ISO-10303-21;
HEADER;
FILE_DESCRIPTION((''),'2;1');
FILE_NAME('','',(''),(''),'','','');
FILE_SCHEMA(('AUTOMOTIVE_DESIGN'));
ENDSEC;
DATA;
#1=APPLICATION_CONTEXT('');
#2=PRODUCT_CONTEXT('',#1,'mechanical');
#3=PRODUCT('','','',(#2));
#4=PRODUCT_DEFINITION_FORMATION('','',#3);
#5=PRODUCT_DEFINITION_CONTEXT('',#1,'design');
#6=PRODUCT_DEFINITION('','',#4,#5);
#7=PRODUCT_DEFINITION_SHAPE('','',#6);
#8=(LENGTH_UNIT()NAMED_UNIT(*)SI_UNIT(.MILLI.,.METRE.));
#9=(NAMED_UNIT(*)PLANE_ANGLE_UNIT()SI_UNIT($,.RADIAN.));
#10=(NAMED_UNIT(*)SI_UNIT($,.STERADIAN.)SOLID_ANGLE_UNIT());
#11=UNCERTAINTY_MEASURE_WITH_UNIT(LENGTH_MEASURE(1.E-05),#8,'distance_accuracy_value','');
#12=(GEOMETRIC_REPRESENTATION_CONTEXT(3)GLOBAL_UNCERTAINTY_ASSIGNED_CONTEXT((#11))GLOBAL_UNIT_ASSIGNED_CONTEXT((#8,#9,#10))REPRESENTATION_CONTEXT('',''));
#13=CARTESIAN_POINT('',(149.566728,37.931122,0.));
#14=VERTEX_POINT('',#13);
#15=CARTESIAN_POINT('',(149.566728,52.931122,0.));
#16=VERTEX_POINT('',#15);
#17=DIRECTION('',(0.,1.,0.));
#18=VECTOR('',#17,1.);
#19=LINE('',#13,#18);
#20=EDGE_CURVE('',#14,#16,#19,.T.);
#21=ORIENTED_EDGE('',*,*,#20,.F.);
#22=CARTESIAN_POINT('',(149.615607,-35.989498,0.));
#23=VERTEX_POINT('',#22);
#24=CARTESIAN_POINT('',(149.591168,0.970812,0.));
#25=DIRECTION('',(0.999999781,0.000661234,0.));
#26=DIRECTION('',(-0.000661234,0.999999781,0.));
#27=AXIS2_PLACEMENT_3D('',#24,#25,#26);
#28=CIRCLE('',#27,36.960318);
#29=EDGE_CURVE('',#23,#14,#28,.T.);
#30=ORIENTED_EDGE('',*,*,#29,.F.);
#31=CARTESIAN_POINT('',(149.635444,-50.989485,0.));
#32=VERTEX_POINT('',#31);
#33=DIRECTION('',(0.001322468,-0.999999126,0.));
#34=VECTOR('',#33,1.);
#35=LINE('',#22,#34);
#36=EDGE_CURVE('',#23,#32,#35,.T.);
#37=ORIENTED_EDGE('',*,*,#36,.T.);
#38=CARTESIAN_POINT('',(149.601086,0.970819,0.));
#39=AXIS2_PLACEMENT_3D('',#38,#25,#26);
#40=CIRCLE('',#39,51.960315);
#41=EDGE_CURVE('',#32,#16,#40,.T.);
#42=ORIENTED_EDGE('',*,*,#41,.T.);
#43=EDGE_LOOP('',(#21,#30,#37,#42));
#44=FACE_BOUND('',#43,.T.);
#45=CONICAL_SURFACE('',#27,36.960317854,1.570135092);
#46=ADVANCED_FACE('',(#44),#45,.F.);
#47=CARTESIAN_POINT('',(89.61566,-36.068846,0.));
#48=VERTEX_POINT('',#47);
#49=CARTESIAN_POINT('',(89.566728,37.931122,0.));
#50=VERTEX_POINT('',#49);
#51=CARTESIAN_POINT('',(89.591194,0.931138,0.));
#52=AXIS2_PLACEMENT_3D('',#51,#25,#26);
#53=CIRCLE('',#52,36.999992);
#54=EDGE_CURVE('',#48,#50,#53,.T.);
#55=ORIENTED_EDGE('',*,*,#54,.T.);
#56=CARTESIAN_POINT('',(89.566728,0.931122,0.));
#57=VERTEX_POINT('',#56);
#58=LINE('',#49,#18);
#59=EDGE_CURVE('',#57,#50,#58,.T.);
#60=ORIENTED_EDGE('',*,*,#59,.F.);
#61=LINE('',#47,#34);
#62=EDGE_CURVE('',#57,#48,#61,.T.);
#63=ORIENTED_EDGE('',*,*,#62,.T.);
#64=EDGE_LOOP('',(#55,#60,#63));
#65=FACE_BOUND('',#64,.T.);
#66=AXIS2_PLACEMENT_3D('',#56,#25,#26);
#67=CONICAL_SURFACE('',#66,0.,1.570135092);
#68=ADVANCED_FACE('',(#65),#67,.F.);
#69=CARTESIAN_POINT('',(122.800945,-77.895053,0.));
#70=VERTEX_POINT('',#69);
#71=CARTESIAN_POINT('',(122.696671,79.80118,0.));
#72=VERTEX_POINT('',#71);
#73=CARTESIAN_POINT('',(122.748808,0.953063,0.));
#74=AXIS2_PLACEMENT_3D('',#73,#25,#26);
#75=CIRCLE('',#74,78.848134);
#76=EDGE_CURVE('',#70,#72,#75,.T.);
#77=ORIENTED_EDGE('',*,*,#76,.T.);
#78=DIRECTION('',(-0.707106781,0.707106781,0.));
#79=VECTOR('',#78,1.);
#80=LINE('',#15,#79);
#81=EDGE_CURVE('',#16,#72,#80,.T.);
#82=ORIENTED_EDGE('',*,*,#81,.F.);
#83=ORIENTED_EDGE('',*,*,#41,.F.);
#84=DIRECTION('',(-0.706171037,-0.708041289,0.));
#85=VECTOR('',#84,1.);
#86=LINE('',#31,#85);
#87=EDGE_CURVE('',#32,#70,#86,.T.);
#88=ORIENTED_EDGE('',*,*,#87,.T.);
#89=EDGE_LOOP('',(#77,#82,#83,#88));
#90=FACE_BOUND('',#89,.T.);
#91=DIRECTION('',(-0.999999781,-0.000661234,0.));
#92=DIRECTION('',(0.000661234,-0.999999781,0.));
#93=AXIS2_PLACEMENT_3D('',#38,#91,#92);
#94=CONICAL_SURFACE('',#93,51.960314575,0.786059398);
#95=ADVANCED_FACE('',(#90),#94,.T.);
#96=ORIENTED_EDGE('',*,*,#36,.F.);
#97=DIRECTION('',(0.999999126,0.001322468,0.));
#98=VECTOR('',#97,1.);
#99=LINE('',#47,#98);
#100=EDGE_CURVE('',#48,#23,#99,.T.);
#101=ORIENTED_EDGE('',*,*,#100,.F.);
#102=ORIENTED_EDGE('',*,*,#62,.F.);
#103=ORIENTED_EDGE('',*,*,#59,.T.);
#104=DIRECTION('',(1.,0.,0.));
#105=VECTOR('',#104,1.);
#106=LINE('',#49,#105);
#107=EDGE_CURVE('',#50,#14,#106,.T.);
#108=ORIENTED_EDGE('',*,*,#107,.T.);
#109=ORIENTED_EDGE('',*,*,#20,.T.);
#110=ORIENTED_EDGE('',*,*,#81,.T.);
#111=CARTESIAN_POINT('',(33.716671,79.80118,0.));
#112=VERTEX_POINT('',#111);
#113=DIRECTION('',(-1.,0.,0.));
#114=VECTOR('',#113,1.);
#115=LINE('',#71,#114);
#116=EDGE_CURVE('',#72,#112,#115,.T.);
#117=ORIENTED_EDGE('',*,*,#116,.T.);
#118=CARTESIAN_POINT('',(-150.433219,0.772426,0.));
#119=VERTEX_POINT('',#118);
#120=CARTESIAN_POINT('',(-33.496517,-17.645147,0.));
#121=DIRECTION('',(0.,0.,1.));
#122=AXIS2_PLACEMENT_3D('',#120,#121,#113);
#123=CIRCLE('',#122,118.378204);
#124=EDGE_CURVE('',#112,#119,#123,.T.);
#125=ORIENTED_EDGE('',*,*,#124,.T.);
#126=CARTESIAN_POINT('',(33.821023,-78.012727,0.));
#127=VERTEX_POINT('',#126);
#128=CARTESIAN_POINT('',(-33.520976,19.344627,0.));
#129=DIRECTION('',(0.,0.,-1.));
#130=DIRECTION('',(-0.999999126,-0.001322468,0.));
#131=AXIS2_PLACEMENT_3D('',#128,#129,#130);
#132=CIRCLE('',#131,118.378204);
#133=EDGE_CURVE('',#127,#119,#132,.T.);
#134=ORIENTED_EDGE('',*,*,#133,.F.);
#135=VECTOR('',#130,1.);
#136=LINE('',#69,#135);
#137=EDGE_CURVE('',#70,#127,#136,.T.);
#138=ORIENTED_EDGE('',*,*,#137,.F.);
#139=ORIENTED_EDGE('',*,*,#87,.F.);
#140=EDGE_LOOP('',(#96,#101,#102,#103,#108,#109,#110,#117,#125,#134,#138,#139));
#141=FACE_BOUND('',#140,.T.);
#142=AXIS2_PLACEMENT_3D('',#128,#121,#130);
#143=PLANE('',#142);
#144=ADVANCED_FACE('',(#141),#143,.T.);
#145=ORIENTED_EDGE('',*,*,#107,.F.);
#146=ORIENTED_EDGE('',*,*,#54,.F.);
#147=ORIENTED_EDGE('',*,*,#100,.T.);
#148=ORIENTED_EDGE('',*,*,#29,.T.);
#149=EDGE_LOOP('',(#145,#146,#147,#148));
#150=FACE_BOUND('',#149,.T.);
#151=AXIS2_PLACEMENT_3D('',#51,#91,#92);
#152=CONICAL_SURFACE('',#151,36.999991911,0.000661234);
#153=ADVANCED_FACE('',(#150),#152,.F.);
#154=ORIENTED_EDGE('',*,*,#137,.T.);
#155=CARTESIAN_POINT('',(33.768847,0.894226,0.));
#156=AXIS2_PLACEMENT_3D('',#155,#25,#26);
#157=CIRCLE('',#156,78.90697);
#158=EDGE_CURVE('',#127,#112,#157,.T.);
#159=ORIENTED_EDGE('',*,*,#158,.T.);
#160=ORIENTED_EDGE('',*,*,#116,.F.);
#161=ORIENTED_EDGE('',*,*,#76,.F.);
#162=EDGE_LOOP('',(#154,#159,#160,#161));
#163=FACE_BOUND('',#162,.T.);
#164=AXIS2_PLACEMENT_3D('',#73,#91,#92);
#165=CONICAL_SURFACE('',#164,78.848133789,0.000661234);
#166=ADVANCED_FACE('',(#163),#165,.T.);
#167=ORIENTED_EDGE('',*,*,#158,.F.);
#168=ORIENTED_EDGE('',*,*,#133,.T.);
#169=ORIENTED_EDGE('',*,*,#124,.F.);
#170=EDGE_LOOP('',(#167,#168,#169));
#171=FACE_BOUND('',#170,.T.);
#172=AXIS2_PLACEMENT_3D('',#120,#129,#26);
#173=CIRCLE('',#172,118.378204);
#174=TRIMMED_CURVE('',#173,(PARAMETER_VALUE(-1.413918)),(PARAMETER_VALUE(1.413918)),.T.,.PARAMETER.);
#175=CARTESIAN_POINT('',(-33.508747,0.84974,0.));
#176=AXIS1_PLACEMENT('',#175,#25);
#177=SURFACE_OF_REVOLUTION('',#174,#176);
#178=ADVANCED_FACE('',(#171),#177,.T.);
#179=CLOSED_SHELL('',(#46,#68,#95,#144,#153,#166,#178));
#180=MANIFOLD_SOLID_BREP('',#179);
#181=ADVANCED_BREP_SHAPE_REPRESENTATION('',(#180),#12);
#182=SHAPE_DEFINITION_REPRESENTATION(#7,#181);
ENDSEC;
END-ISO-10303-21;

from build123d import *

# Parameters (mm, degrees)
REVOLVE1_ANGLE = 180


with BuildPart() as part:
    # Sketch2 → Revolve1 (revolve)
    with BuildSketch(Plane.XY):
        with BuildLine():
            Line((89.566728342, 37.93112192), (149.566728342, 37.93112192))
            Line((149.566728342, 37.93112192), (149.566728342, 52.93112192))
            Line((149.566728342, 52.93112192), (122.696670657, 79.801179605))
            Line((122.696670657, 79.801179605), (33.716670657, 79.801179605))
            ThreePointArc((33.716670657, 79.801179605), (-80.181557206, 91.138612278), (-150.433219191, 0.772425691))
            Line((-150.433219191, 0.772425691), (89.566728342, 0.93112192))
            Line((89.566728342, 0.93112192), (89.566728342, 37.93112192))
        make_face()
    revolve(axis=Axis((89.566728342, 0.93112192, 0), (-0.9999997813845841, -0.0006612342883058576, 0)), revolution_arc=REVOLVE1_ANGLE)


solid = part.part
